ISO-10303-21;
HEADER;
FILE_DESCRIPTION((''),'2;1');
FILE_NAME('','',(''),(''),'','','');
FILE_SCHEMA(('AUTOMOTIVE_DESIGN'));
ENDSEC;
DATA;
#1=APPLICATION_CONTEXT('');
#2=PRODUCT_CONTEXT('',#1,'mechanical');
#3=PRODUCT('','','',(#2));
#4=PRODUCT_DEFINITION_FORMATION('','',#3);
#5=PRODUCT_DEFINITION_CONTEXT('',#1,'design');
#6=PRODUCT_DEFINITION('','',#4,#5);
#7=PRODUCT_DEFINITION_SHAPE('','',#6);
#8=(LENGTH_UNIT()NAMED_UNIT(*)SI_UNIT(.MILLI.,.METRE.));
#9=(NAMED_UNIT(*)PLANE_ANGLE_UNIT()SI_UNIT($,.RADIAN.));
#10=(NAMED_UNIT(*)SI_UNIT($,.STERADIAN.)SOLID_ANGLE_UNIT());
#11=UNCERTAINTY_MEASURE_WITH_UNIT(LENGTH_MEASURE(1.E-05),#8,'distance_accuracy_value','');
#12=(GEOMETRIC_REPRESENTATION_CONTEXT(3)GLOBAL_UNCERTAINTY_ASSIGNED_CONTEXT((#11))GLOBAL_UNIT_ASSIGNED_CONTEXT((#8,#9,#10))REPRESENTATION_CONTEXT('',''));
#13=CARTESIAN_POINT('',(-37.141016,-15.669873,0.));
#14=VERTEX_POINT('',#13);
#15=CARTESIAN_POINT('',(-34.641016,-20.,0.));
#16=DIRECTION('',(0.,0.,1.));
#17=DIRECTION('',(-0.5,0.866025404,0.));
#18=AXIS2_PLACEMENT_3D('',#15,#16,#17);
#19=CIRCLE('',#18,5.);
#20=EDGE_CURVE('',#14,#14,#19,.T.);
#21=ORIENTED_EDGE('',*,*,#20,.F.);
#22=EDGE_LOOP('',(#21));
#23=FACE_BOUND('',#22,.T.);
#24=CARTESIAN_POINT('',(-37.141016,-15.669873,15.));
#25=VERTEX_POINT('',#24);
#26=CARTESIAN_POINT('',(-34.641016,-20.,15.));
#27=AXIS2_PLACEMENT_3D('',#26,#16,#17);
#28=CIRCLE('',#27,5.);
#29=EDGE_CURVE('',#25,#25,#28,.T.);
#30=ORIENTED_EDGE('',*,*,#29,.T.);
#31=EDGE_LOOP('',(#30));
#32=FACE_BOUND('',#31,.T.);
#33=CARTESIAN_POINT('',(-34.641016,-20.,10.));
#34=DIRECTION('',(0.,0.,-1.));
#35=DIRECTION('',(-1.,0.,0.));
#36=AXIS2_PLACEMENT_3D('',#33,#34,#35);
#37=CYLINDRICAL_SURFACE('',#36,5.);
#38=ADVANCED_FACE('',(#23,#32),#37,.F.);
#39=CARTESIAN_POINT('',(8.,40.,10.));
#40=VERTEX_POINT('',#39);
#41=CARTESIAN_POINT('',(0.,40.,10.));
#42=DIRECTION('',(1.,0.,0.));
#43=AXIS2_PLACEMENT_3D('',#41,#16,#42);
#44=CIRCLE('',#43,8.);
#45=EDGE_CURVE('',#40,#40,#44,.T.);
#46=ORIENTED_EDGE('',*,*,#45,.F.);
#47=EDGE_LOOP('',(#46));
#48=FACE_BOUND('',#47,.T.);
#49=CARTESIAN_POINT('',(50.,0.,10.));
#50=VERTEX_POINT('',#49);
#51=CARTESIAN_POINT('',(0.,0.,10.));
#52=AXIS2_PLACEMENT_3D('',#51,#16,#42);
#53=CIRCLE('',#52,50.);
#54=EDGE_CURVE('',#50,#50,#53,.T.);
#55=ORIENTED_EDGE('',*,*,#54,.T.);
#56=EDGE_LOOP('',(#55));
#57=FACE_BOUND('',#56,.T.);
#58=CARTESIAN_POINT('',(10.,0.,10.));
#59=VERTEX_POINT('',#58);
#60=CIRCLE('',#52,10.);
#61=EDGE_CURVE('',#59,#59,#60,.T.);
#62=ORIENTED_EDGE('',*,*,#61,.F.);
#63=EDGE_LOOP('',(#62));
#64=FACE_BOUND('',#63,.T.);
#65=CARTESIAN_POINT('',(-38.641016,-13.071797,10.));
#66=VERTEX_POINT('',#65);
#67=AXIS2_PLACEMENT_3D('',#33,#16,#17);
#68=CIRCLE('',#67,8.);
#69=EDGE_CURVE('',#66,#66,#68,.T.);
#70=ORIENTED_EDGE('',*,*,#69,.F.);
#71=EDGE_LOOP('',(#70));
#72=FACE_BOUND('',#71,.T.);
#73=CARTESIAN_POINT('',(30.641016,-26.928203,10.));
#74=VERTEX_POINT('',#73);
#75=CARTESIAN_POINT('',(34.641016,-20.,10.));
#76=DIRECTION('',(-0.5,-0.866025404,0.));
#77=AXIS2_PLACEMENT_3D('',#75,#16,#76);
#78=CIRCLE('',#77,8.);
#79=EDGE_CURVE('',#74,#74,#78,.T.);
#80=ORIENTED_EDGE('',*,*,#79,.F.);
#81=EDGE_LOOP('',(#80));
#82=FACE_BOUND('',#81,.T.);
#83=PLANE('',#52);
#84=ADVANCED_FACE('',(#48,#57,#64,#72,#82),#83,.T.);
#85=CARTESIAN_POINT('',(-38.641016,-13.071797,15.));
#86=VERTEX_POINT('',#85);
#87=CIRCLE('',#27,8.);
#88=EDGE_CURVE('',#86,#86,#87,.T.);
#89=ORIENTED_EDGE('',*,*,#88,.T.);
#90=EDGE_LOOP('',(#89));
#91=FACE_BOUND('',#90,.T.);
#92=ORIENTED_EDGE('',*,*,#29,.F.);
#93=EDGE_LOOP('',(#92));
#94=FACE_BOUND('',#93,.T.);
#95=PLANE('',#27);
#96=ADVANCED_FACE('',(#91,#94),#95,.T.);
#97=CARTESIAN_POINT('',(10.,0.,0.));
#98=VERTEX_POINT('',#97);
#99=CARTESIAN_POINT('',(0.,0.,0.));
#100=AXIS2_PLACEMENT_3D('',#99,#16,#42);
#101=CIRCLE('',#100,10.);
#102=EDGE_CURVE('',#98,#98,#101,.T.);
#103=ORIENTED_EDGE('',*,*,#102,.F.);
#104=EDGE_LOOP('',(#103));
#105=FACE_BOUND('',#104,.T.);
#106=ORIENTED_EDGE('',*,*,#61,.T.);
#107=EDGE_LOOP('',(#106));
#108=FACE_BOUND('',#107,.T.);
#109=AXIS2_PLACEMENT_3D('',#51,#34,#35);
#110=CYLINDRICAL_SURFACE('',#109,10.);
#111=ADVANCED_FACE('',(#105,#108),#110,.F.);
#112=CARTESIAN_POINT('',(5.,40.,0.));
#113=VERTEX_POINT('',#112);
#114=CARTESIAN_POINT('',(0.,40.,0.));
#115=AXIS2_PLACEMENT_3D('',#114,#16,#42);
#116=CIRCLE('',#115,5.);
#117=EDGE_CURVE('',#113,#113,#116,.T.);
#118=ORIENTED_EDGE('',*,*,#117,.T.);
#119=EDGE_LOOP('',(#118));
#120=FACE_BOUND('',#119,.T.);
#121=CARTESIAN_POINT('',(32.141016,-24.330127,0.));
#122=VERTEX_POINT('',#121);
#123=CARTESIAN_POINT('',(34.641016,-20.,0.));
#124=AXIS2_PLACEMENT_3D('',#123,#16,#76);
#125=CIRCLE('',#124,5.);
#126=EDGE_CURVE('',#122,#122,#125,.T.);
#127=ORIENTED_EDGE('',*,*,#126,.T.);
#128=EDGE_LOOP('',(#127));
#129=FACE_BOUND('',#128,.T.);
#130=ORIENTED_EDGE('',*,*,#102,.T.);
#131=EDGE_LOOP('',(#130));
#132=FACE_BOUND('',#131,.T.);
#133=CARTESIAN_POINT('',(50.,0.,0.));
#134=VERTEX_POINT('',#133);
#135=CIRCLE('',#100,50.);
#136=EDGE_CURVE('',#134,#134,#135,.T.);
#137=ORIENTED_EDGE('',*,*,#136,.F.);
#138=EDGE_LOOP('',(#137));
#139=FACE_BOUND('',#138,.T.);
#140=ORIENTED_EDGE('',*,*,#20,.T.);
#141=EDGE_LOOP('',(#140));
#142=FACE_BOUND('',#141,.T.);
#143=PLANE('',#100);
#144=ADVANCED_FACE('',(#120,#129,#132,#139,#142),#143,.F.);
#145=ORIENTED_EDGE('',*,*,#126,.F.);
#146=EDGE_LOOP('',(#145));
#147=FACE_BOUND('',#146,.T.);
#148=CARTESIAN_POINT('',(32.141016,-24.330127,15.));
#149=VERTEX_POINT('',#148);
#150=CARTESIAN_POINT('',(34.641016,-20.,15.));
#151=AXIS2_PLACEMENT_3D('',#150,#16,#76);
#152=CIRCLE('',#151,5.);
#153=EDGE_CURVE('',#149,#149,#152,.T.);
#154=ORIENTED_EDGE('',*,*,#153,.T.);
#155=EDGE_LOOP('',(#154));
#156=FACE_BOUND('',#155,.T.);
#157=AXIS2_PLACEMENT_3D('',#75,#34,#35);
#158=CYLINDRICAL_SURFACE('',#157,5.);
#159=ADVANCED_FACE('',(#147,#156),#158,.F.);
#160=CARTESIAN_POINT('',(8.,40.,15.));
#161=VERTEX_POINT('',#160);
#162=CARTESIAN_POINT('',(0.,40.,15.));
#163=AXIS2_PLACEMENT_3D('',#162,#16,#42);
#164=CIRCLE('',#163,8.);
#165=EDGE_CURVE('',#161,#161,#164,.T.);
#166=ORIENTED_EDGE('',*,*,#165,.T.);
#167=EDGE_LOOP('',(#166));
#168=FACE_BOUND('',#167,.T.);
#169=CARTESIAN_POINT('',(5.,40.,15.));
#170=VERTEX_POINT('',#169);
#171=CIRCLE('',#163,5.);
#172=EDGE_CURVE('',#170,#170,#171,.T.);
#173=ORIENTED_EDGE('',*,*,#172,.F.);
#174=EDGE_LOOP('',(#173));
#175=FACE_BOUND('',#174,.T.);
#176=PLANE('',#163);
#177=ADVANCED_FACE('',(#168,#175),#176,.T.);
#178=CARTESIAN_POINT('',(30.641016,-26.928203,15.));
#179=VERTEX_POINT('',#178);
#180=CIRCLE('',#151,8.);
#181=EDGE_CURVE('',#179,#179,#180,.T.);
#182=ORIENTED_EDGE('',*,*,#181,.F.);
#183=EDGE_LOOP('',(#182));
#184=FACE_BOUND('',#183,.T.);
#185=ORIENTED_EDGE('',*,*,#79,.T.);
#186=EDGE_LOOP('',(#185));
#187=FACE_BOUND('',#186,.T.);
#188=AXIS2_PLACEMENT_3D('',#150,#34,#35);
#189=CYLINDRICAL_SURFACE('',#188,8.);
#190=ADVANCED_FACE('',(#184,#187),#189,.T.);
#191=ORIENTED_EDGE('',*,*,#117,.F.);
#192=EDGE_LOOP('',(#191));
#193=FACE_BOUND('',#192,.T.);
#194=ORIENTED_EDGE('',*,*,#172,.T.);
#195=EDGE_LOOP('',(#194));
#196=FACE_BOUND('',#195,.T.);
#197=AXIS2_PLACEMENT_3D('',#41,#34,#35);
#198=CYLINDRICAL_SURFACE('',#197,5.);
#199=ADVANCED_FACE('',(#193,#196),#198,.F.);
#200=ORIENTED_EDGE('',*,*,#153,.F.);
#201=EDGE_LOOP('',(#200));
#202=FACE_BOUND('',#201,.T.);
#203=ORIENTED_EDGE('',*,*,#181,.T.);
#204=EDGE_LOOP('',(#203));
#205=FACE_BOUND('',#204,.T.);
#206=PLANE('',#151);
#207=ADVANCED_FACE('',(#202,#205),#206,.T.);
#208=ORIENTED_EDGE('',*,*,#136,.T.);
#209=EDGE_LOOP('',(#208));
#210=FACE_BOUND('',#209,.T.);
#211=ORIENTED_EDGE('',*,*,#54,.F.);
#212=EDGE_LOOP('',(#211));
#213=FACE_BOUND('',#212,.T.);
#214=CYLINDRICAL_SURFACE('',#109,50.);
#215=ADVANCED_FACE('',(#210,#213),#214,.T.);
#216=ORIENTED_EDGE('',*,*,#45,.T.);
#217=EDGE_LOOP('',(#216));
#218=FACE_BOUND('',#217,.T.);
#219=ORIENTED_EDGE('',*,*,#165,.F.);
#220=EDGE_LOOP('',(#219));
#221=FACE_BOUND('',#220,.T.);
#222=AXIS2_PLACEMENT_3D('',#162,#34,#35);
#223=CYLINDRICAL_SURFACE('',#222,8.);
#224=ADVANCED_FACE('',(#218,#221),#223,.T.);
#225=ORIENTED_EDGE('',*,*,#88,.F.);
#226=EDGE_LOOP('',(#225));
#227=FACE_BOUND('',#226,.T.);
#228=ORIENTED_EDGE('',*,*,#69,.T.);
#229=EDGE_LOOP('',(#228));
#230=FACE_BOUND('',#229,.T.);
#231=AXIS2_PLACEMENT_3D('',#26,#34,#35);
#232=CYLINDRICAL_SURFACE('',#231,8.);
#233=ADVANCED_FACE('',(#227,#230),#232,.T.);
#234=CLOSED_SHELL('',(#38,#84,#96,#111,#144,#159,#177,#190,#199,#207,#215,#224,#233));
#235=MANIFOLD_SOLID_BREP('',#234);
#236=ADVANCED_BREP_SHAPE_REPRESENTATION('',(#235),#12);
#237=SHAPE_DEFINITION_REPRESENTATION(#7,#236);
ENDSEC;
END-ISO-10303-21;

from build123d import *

# Parameters (mm, degrees)
SKETCH1_R           = 50
SKETCH1_R_2         = 10
BOSS_EXTRUDE2_DEPTH = 10
SKETCH3_R           = 5
CUT_EXTRUDE2_DEPTH  = 10
CIRPATTERN1_COUNT   = 3
SKETCH4_R           = 8
SKETCH4_R_2         = 5
BOSS_EXTRUDE3_DEPTH = 5
CIRPATTERN2_COUNT   = 3


with BuildPart() as part:
    # Sketch1 → Boss-Extrude2 (new body)
    with BuildSketch(Plane.XY):
        Circle(SKETCH1_R)
        Circle(SKETCH1_R_2, mode=Mode.SUBTRACT)
    extrude(amount=BOSS_EXTRUDE2_DEPTH)

    # Sketch3 → Cut-Extrude2 (cut)
    with BuildSketch(Plane.XY):
        with Locations((0, 40)):
            Circle(SKETCH3_R)
    cut_extrude2 = extrude(amount=CUT_EXTRUDE2_DEPTH, mode=Mode.SUBTRACT)

    # CirPattern1: Cut-Extrude2 ×3 about axis
    cirpattern1_axis = Axis((0, 0, 0), (0, 0, 1))
    for i in range(1, CIRPATTERN1_COUNT):
        add(cut_extrude2.rotate(cirpattern1_axis, i * 360 / CIRPATTERN1_COUNT), mode=Mode.SUBTRACT)

    # Sketch4 → Boss-Extrude3 (add)
    with BuildSketch(Plane.XY.offset(10)):
        with Locations((0, 40)):
            Circle(SKETCH4_R)
        with Locations((0, 40)):
            Circle(SKETCH4_R_2, mode=Mode.SUBTRACT)
    boss_extrude3 = extrude(amount=BOSS_EXTRUDE3_DEPTH)

    # CirPattern2: Boss-Extrude3 ×3 about axis
    cirpattern2_axis = Axis((0, 0, 0), (0, 0, 1))
    for i in range(1, CIRPATTERN2_COUNT):
        add(boss_extrude3.rotate(cirpattern2_axis, i * 360 / CIRPATTERN2_COUNT))


solid = part.part
